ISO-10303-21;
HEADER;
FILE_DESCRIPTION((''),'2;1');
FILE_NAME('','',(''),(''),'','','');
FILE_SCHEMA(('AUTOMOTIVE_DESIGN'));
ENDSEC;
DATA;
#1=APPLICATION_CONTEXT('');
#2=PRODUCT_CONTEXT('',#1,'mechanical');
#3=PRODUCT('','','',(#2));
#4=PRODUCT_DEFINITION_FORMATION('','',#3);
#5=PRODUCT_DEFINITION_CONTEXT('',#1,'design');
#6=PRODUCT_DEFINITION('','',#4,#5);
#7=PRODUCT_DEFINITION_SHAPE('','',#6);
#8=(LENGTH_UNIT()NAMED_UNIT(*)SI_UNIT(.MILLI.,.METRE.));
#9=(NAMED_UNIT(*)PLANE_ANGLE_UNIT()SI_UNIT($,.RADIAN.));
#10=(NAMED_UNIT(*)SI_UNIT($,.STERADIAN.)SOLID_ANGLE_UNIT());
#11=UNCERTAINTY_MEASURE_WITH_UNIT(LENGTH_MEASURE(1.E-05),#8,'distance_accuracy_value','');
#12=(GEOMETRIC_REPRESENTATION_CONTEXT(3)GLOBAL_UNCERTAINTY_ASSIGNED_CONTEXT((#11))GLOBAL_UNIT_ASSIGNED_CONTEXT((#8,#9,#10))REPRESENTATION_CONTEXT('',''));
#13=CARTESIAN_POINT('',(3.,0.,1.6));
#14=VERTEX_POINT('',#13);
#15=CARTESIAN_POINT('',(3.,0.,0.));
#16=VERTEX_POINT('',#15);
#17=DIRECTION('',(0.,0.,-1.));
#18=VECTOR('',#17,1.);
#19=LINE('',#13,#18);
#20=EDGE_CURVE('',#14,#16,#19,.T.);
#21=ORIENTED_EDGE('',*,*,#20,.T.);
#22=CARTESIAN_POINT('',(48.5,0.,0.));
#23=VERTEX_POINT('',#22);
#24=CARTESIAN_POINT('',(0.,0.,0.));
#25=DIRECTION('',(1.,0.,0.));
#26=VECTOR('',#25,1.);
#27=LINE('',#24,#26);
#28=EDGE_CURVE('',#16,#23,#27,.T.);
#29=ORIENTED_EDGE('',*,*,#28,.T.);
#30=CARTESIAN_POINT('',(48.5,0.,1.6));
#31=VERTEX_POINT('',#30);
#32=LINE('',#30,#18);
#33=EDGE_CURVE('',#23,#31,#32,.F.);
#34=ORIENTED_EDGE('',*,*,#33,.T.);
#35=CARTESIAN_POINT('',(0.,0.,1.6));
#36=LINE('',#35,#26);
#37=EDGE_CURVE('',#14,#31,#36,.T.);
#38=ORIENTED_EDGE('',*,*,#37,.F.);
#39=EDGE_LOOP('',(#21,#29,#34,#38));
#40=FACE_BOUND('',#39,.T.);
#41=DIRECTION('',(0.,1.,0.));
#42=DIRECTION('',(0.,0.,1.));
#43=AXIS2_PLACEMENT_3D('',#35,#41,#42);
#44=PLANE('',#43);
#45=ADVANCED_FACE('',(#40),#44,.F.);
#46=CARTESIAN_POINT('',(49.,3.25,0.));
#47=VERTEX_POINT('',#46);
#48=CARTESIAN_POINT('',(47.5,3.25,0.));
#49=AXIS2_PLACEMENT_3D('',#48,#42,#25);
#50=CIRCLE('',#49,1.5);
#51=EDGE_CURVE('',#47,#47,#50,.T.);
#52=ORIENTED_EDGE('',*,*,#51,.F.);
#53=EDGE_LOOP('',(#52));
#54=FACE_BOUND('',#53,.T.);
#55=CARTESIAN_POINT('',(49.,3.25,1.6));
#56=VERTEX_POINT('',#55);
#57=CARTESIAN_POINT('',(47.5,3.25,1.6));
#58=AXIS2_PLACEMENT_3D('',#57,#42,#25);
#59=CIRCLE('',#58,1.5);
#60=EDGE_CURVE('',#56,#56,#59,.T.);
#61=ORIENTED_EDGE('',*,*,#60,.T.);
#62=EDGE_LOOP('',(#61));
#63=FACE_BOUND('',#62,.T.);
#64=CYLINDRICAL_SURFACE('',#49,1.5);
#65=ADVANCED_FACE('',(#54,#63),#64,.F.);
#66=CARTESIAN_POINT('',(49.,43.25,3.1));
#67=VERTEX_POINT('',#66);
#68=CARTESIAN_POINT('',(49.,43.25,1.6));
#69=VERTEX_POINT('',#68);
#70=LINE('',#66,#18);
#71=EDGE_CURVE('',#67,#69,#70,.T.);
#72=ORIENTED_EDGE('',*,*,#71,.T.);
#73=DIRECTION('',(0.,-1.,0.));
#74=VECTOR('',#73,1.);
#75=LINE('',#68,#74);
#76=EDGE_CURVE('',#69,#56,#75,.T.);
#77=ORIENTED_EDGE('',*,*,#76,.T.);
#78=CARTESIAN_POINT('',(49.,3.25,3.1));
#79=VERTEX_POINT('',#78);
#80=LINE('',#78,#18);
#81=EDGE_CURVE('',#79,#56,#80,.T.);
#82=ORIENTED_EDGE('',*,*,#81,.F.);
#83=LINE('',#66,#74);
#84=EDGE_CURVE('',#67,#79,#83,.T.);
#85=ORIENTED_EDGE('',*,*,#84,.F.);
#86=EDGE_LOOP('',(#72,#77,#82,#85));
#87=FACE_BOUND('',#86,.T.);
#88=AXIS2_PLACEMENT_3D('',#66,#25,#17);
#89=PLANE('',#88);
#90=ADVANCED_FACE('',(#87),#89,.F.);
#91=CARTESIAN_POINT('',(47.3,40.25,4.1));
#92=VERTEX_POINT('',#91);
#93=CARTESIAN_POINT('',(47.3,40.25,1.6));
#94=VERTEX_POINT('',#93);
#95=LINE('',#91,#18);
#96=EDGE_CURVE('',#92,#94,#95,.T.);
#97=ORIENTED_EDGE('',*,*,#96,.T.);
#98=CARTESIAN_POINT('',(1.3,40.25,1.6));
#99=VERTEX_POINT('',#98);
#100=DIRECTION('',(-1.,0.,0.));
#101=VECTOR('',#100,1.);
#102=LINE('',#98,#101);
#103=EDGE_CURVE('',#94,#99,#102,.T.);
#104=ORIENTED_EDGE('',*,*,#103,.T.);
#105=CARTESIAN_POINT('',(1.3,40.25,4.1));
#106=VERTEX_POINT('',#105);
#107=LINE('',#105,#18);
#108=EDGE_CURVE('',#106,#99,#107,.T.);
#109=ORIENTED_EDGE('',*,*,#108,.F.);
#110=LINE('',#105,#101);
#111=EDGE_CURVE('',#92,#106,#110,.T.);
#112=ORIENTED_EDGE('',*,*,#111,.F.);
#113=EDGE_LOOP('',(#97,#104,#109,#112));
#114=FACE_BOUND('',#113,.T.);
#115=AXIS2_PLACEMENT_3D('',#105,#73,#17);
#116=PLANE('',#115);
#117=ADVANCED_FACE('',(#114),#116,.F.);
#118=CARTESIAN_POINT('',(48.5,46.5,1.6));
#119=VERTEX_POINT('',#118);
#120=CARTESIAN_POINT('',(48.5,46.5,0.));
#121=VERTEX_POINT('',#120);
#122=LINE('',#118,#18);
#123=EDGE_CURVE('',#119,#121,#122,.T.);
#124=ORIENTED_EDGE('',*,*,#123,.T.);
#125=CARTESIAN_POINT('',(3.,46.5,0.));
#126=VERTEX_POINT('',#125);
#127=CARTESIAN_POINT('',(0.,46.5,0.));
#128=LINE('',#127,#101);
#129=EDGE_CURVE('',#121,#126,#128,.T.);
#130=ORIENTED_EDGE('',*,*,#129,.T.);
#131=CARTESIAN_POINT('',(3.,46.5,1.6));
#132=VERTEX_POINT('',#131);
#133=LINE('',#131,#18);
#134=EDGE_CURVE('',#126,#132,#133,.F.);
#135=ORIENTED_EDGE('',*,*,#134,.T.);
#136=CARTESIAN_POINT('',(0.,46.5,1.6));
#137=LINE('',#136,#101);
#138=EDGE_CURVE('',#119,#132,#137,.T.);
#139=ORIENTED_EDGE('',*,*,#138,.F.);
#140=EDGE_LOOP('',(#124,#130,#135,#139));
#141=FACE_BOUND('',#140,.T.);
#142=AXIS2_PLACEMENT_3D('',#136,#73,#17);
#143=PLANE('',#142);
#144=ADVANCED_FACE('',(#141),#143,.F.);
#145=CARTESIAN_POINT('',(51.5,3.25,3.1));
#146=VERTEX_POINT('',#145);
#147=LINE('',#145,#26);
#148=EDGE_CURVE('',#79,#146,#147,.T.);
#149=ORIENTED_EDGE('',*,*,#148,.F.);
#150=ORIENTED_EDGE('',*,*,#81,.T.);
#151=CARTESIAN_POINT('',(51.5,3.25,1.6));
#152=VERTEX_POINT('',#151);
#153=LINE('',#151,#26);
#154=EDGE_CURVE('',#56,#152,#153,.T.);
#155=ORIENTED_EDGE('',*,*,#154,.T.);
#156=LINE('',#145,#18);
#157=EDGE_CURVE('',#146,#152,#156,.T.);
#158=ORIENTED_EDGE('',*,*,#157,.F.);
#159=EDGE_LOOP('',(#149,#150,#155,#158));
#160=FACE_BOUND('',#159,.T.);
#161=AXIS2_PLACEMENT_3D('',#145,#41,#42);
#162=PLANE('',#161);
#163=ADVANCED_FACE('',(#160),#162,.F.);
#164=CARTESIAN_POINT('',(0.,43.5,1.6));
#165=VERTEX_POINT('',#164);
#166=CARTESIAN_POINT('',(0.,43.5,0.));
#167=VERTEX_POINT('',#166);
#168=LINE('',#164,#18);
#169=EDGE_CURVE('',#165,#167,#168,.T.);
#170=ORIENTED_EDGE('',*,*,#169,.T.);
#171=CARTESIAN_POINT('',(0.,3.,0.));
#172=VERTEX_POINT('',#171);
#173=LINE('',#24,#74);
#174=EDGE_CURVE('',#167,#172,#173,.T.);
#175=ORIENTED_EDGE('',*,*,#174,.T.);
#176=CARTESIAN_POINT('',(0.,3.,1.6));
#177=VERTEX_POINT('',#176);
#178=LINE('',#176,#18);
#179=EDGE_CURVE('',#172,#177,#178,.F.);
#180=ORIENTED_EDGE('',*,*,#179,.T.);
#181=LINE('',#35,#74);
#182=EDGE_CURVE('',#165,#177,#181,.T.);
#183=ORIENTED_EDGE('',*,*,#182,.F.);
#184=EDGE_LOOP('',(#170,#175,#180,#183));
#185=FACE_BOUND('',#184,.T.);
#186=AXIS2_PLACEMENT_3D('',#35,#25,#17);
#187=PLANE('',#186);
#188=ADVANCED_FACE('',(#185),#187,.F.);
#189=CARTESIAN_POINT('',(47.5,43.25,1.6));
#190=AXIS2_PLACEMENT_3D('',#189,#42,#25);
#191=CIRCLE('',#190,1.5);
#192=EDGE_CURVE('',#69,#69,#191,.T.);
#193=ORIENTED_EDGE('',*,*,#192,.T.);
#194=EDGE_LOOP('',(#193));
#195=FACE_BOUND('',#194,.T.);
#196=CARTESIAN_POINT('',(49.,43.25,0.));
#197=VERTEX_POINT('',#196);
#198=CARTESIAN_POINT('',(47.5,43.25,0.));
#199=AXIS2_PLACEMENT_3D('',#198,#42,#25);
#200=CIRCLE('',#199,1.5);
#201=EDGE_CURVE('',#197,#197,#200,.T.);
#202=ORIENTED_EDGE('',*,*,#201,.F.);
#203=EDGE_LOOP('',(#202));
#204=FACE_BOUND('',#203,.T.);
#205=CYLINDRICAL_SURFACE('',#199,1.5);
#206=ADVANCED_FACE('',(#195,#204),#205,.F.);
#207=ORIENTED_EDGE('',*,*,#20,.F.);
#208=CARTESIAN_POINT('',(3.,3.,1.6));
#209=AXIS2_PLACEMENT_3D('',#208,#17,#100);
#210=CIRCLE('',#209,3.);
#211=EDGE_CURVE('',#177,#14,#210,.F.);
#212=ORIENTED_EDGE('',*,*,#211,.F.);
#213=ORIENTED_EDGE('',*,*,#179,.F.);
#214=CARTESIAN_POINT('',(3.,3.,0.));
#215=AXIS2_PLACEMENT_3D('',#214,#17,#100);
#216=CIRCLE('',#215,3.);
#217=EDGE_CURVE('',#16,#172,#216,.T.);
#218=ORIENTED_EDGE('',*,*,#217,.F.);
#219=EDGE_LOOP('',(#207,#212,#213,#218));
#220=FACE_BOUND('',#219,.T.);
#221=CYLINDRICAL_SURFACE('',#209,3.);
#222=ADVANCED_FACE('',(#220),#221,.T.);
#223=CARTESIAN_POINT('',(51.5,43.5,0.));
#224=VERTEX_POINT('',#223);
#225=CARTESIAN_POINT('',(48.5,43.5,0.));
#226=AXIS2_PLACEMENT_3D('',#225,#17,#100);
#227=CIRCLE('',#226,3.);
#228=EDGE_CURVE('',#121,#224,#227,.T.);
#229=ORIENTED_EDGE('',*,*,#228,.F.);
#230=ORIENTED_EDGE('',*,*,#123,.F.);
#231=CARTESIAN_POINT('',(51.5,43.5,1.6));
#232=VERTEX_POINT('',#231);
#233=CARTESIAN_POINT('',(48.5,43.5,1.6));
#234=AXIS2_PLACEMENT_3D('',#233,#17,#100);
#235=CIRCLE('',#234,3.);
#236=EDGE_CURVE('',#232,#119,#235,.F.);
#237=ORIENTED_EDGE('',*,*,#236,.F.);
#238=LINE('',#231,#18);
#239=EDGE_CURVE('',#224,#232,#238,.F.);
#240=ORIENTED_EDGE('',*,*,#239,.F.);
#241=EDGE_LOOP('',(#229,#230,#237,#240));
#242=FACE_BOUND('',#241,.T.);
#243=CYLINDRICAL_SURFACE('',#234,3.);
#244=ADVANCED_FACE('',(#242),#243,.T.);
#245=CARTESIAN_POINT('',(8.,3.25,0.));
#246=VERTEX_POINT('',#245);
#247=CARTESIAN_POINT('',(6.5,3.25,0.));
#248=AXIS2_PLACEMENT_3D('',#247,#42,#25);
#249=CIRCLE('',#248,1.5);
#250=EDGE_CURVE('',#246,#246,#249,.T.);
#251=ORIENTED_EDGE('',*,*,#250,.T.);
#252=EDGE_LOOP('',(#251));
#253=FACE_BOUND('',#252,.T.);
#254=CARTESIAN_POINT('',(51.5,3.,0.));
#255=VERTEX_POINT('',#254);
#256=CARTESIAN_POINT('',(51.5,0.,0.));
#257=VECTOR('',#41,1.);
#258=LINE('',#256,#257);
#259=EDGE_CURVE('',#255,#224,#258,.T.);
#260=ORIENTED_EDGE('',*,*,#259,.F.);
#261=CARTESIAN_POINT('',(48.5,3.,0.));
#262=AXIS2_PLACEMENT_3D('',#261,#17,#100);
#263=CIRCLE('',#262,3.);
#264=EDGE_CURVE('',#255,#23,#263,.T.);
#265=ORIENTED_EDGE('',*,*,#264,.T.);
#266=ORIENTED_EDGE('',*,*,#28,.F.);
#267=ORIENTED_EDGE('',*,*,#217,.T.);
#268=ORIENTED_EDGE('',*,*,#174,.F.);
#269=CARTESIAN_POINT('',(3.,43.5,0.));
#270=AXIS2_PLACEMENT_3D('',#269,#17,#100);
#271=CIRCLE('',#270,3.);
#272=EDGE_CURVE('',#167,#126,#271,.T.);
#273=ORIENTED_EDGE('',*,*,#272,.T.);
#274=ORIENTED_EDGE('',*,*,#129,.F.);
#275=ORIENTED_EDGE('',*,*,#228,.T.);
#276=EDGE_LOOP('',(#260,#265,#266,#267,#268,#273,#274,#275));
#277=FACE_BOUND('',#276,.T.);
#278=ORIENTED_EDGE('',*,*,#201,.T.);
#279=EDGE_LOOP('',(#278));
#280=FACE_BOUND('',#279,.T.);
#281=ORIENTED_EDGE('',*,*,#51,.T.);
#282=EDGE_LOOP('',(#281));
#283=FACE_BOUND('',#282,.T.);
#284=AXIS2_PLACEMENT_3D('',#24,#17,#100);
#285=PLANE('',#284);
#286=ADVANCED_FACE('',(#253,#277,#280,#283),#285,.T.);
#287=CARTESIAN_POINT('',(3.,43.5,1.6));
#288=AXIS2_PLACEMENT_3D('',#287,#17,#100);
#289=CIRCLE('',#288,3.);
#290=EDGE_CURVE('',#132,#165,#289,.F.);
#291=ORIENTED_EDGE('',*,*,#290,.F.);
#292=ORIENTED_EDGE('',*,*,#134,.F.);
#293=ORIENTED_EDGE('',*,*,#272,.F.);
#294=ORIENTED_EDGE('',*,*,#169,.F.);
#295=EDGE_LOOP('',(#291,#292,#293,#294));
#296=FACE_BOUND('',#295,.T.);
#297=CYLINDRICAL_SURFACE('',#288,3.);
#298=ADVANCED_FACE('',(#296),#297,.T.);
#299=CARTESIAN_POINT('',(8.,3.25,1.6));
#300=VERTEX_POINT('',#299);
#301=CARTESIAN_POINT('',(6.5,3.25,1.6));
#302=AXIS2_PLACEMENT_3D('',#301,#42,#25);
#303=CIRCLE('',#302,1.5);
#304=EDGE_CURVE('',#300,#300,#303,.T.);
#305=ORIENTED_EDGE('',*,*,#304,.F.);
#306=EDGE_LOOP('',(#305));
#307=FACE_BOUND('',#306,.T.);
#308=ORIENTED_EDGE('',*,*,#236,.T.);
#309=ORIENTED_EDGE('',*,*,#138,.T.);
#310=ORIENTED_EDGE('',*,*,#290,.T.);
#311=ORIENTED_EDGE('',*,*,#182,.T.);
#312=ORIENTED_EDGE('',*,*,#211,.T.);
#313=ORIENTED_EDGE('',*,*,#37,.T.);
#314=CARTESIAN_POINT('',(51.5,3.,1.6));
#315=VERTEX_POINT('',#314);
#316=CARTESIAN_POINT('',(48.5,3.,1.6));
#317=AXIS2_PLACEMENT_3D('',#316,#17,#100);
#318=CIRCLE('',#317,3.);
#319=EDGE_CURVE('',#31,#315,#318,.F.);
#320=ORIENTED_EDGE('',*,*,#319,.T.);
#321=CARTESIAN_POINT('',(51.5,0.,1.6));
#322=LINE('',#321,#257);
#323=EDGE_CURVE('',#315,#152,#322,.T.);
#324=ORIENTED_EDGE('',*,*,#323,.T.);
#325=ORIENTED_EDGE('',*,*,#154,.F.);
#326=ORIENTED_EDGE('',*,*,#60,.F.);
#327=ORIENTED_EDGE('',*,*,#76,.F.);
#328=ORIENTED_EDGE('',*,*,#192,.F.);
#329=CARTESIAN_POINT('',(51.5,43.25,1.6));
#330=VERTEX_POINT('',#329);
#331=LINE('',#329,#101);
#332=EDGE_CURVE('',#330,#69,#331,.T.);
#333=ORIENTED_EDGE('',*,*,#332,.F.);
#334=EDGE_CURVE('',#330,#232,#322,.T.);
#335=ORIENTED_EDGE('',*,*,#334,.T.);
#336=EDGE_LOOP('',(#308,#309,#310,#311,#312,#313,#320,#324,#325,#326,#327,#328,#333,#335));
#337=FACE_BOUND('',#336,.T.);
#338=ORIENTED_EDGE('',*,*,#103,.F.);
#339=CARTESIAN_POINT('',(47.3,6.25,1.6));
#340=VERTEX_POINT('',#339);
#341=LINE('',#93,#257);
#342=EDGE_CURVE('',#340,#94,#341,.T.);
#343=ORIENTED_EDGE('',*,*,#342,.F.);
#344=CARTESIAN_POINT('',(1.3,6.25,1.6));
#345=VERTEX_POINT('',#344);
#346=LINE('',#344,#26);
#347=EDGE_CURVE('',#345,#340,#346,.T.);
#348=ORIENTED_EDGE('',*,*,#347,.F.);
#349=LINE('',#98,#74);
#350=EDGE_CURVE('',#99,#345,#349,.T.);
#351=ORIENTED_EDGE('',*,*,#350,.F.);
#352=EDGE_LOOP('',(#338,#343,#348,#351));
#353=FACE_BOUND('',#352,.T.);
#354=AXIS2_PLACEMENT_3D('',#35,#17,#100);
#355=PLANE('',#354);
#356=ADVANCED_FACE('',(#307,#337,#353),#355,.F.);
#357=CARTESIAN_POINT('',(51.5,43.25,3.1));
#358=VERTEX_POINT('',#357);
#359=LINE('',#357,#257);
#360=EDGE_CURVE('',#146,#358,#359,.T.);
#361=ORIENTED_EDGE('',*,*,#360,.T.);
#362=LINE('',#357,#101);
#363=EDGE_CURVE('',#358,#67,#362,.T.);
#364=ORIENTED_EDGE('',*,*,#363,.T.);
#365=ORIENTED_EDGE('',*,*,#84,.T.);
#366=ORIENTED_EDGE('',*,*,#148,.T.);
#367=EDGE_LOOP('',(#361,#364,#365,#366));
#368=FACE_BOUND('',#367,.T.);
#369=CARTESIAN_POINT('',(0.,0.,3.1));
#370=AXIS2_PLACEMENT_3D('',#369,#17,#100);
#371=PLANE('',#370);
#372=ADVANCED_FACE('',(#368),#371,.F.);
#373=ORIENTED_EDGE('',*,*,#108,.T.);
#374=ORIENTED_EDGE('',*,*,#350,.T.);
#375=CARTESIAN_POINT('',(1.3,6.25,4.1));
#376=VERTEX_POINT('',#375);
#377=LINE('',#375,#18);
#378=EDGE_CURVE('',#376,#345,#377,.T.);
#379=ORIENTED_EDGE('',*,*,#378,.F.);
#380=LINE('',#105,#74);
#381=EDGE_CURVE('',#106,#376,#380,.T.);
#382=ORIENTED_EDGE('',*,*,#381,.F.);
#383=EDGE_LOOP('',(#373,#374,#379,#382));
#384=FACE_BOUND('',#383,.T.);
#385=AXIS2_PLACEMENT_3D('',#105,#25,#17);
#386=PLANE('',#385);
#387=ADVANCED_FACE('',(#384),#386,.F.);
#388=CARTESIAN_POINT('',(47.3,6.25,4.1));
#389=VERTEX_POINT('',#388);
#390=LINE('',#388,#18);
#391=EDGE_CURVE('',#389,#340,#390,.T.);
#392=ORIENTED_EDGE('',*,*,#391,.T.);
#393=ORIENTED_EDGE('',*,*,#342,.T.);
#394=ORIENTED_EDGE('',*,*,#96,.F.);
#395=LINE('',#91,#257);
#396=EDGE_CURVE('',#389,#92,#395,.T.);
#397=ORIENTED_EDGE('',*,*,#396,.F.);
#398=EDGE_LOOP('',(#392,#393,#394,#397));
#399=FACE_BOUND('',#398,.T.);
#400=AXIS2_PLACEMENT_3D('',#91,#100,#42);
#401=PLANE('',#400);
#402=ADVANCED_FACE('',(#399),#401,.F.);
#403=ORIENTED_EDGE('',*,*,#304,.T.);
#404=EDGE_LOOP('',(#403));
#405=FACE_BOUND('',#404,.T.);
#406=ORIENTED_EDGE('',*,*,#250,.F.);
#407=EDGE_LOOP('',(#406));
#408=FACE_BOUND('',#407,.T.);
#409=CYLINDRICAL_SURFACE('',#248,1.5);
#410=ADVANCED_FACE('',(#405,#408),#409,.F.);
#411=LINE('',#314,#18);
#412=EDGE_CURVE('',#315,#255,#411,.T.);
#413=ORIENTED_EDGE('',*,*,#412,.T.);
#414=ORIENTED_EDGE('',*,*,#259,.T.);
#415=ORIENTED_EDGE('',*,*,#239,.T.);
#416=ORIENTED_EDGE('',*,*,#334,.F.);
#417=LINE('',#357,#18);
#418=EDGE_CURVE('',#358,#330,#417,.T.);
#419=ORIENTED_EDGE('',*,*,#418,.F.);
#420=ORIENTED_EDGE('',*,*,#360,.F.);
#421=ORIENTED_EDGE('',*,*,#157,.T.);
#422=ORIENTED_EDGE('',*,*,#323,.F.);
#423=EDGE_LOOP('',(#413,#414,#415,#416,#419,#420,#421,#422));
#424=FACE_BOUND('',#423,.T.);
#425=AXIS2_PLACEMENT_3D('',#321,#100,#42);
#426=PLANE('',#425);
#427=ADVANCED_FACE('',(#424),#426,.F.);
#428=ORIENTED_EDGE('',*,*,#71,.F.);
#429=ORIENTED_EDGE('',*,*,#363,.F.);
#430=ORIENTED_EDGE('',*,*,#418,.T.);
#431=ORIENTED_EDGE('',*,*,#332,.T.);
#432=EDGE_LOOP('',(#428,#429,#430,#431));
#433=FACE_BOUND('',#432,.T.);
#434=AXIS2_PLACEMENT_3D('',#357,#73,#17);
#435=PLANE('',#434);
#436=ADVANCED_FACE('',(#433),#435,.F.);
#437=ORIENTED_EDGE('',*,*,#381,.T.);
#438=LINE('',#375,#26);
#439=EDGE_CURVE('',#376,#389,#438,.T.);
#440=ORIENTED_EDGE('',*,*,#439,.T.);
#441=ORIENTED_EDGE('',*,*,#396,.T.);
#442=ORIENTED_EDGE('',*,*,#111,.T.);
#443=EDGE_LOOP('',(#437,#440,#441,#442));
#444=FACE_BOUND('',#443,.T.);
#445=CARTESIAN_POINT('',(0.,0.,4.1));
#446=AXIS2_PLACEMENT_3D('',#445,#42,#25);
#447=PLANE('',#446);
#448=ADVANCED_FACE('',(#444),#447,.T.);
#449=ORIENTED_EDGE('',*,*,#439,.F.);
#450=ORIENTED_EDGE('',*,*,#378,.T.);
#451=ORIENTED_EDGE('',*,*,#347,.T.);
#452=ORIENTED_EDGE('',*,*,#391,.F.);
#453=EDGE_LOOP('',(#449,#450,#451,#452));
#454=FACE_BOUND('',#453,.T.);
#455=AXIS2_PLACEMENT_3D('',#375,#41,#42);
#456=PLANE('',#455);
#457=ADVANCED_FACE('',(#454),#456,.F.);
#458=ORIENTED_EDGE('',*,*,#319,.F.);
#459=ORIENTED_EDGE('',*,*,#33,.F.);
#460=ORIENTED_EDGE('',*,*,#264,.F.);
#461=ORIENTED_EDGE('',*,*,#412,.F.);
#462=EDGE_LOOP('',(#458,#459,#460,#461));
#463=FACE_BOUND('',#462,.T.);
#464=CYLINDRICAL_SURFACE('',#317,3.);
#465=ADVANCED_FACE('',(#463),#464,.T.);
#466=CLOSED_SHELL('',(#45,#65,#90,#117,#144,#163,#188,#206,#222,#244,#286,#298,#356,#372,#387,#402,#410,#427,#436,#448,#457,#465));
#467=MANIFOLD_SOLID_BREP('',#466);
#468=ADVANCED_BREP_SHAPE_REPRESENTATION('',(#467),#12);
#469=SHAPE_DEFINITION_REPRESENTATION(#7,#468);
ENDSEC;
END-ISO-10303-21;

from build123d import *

# Parameters (mm, degrees)
ESQUISSE1_W             = 51.5
ESQUISSE1_H             = 46.5
BOSS_EXTRU_1_DEPTH      = 1.6
ESQUISSE2_W             = 46
ESQUISSE2_H             = 34
BOSS_EXTRU_2_DEPTH      = 2.5
ESQUISSE3_W             = 2.5
ESQUISSE3_H             = 40
BOSS_EXTRU_3_DEPTH      = 1.5
ESQUISSE4_R             = 1.5
ENL_V_MAT_EXTRU_1_DEPTH = 70.431621038
CONG_1_R                = 3


with BuildPart() as part:
    # Esquisse1 → Boss.-Extru.1 (new body)
    with BuildSketch(Plane.XY):
        with Locations((25.75, 23.25)):
            Rectangle(ESQUISSE1_W, ESQUISSE1_H)
    extrude(amount=BOSS_EXTRU_1_DEPTH)

    # Esquisse2 → Boss.-Extru.2 (add)
    with BuildSketch(Plane.XY.offset(1.6)):
        with Locations((24.3, 23.25)):
            Rectangle(ESQUISSE2_W, ESQUISSE2_H)
    extrude(amount=BOSS_EXTRU_2_DEPTH)

    # Esquisse3 → Boss.-Extru.3 (add)
    with BuildSketch(Plane.XY.offset(1.6)):
        with Locations((50.25, 23.25)):
            Rectangle(ESQUISSE3_W, ESQUISSE3_H)
    extrude(amount=BOSS_EXTRU_3_DEPTH)

    # Esquisse4 → Enlèv. mat.-Extru.1 (cut, through all)
    with BuildSketch(Plane.XY.offset(1.6)):
        with Locations((47.5, 3.25)):
            Circle(ESQUISSE4_R)
        with Locations((47.5, 43.25)):
            Circle(ESQUISSE4_R)
        with Locations((6.5, 3.25)):
            Circle(ESQUISSE4_R)
    extrude(amount=-ENL_V_MAT_EXTRU_1_DEPTH, mode=Mode.SUBTRACT)

    # Congé1
    cong_1_edges = [part.edges().sort_by_distance(p)[0] for p in [
        (0, 46.5, 0.8),
        (51.5, 46.5, 0.8),
        (51.5, 0, 0.8),
        (0, 0, 0.8),
    ]]
    fillet(cong_1_edges, radius=CONG_1_R)


solid = part.part
